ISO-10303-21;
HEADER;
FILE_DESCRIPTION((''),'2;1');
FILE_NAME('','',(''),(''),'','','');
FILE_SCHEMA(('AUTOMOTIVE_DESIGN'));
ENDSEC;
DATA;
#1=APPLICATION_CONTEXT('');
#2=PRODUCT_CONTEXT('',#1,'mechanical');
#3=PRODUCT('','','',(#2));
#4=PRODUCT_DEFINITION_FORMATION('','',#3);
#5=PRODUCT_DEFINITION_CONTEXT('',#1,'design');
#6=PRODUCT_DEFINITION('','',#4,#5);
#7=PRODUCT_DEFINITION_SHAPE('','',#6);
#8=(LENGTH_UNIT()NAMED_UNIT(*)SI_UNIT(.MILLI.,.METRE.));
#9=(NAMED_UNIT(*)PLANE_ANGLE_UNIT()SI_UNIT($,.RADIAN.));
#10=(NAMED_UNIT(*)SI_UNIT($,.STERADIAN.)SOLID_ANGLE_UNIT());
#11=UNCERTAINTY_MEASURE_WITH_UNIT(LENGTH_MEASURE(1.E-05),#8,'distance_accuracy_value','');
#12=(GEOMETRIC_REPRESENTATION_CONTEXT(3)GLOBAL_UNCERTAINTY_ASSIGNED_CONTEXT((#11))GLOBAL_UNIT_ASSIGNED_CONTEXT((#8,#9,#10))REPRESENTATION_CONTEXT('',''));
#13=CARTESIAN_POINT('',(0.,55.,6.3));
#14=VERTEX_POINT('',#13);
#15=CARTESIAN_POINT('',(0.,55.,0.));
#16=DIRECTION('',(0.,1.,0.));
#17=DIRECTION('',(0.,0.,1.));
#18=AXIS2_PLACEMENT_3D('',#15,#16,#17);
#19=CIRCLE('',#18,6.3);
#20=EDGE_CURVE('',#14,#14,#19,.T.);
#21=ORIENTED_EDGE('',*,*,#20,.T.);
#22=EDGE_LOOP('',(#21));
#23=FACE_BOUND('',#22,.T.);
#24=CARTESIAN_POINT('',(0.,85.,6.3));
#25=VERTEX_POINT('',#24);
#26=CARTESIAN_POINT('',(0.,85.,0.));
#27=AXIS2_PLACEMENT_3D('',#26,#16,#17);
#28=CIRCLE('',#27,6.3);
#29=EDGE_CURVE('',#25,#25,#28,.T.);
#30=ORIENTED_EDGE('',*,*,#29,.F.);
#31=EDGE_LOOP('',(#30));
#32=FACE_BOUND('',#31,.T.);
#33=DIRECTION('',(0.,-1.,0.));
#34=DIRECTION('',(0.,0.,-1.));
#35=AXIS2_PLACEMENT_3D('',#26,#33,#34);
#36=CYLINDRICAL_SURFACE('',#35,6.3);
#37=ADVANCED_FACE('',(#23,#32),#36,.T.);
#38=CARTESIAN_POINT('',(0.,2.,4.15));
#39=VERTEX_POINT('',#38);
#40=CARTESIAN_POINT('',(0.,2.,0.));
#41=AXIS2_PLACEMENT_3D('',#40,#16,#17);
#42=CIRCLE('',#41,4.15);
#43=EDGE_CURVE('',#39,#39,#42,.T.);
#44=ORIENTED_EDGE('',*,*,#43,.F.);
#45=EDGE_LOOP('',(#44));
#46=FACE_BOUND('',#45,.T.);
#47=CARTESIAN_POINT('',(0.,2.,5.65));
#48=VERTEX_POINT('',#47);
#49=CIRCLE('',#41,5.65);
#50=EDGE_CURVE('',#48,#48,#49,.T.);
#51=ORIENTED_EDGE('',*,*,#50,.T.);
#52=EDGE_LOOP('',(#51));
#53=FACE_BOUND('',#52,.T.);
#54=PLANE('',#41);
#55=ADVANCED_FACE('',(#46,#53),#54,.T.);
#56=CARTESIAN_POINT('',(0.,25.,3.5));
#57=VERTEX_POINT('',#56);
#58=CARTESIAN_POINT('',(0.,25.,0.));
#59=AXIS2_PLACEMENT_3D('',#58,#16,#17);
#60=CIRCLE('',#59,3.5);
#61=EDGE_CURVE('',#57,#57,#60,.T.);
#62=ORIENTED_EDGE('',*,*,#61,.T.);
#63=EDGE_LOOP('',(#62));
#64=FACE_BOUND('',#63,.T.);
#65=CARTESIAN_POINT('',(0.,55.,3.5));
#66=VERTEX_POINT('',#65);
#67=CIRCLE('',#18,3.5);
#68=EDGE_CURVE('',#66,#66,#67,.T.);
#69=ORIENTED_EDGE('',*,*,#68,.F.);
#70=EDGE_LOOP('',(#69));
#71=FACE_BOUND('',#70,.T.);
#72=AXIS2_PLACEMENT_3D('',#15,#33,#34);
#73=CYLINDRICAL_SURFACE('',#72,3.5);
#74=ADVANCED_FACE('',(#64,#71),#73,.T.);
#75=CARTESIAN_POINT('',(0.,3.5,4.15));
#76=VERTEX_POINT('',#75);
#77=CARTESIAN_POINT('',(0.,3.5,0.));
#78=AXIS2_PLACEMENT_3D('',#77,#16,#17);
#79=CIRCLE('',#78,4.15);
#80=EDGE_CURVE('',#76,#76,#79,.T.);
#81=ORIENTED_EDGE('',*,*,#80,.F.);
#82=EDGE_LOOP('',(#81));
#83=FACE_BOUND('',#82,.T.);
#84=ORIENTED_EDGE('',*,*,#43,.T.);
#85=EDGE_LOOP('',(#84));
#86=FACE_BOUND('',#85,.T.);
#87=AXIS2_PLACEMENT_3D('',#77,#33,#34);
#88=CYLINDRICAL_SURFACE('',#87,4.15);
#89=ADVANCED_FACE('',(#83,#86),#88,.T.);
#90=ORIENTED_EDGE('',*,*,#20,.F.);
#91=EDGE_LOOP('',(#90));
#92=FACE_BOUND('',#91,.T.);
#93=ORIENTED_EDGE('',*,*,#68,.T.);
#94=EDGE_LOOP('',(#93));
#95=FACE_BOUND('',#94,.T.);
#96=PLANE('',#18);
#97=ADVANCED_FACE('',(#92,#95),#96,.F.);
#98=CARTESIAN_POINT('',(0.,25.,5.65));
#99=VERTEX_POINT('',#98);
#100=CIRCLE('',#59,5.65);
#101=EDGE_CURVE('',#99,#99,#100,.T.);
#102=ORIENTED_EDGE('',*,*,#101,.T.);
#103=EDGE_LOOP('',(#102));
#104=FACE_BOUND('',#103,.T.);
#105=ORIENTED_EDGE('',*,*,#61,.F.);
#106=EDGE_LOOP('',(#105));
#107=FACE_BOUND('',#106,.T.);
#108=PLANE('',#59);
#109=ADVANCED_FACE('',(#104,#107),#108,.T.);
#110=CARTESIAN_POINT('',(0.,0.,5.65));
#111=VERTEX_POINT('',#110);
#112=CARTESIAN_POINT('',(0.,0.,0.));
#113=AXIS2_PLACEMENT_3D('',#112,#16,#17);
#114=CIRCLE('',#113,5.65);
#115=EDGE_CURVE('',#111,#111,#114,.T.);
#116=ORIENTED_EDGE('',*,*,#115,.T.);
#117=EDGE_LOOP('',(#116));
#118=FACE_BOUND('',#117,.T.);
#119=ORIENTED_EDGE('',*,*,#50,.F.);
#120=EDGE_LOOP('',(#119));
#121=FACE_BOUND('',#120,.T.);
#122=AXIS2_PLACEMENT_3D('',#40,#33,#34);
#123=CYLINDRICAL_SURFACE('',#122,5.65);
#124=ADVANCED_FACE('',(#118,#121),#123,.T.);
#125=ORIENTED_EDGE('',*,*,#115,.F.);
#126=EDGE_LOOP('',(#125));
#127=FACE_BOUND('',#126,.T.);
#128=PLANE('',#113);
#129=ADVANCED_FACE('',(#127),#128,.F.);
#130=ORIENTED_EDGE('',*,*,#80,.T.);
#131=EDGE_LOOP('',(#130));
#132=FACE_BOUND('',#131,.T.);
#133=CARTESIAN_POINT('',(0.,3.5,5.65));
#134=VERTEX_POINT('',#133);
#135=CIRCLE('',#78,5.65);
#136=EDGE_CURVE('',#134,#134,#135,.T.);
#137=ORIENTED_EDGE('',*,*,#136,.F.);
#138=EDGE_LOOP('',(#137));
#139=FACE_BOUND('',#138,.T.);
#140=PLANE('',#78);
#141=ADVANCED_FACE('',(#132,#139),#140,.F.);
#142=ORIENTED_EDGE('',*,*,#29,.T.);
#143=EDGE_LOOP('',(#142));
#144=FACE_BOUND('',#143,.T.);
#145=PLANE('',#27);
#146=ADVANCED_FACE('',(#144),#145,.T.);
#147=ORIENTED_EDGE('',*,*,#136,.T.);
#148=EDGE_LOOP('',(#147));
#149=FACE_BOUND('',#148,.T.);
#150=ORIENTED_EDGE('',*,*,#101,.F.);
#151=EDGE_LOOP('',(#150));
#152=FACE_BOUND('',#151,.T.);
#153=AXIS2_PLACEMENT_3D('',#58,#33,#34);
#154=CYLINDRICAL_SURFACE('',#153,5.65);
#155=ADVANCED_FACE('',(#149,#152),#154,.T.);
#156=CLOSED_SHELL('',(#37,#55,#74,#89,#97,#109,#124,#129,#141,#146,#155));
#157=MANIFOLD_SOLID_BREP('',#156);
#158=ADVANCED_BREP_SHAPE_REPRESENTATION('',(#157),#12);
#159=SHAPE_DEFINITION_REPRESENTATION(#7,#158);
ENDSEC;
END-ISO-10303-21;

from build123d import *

# Parameters (mm, degrees)
SKETCH1_R           = 5.65
BOSS_EXTRUDE1_DEPTH = 2
SKETCH2_R           = 4.15
BOSS_EXTRUDE2_DEPTH = 1.5
SKETCH3_R           = 5.65
BOSS_EXTRUDE3_DEPTH = 21.5
SKETCH4_R           = 3.5
BOSS_EXTRUDE4_DEPTH = 30
SKETCH5_R           = 6.3
BOSS_EXTRUDE5_DEPTH = 30


with BuildPart() as part:
    # Sketch1 → Boss-Extrude1 (new body)
    with BuildSketch(Plane(origin=(0, 0, 0), x_dir=(1, 0, 0), z_dir=(0, 1, 0))):
        with Locations(Location((0, 0, 0), (0, 0, 270))):
            Circle(SKETCH1_R)
    extrude(amount=BOSS_EXTRUDE1_DEPTH)

    # Sketch2 → Boss-Extrude2 (add)
    with BuildSketch(Plane(origin=(0, 2, 0), x_dir=(1, 0, 0), z_dir=(0, 1, 0))):
        with Locations(Location((0, 0, 0), (0, 0, 270))):
            Circle(SKETCH2_R)
    extrude(amount=BOSS_EXTRUDE2_DEPTH)

    # Sketch3 → Boss-Extrude3 (add)
    with BuildSketch(Plane(origin=(0, 3.5, 0), x_dir=(1, 0, 0), z_dir=(0, 1, 0))):
        with Locations(Location((0, 0, 0), (0, 0, 270))):
            Circle(SKETCH3_R)
    extrude(amount=BOSS_EXTRUDE3_DEPTH)

    # Sketch4 → Boss-Extrude4 (add)
    with BuildSketch(Plane(origin=(0, 25, 0), x_dir=(1, 0, 0), z_dir=(0, 1, 0))):
        with Locations(Location((0, 0, 0), (0, 0, 270))):
            Circle(SKETCH4_R)
    extrude(amount=BOSS_EXTRUDE4_DEPTH)

    # Sketch5 → Boss-Extrude5 (add)
    with BuildSketch(Plane(origin=(0, 55, 0), x_dir=(1, 0, 0), z_dir=(0, 1, 0))):
        with Locations(Location((0, 0, 0), (0, 0, 270))):
            Circle(SKETCH5_R)
    extrude(amount=BOSS_EXTRUDE5_DEPTH)


solid = part.part
